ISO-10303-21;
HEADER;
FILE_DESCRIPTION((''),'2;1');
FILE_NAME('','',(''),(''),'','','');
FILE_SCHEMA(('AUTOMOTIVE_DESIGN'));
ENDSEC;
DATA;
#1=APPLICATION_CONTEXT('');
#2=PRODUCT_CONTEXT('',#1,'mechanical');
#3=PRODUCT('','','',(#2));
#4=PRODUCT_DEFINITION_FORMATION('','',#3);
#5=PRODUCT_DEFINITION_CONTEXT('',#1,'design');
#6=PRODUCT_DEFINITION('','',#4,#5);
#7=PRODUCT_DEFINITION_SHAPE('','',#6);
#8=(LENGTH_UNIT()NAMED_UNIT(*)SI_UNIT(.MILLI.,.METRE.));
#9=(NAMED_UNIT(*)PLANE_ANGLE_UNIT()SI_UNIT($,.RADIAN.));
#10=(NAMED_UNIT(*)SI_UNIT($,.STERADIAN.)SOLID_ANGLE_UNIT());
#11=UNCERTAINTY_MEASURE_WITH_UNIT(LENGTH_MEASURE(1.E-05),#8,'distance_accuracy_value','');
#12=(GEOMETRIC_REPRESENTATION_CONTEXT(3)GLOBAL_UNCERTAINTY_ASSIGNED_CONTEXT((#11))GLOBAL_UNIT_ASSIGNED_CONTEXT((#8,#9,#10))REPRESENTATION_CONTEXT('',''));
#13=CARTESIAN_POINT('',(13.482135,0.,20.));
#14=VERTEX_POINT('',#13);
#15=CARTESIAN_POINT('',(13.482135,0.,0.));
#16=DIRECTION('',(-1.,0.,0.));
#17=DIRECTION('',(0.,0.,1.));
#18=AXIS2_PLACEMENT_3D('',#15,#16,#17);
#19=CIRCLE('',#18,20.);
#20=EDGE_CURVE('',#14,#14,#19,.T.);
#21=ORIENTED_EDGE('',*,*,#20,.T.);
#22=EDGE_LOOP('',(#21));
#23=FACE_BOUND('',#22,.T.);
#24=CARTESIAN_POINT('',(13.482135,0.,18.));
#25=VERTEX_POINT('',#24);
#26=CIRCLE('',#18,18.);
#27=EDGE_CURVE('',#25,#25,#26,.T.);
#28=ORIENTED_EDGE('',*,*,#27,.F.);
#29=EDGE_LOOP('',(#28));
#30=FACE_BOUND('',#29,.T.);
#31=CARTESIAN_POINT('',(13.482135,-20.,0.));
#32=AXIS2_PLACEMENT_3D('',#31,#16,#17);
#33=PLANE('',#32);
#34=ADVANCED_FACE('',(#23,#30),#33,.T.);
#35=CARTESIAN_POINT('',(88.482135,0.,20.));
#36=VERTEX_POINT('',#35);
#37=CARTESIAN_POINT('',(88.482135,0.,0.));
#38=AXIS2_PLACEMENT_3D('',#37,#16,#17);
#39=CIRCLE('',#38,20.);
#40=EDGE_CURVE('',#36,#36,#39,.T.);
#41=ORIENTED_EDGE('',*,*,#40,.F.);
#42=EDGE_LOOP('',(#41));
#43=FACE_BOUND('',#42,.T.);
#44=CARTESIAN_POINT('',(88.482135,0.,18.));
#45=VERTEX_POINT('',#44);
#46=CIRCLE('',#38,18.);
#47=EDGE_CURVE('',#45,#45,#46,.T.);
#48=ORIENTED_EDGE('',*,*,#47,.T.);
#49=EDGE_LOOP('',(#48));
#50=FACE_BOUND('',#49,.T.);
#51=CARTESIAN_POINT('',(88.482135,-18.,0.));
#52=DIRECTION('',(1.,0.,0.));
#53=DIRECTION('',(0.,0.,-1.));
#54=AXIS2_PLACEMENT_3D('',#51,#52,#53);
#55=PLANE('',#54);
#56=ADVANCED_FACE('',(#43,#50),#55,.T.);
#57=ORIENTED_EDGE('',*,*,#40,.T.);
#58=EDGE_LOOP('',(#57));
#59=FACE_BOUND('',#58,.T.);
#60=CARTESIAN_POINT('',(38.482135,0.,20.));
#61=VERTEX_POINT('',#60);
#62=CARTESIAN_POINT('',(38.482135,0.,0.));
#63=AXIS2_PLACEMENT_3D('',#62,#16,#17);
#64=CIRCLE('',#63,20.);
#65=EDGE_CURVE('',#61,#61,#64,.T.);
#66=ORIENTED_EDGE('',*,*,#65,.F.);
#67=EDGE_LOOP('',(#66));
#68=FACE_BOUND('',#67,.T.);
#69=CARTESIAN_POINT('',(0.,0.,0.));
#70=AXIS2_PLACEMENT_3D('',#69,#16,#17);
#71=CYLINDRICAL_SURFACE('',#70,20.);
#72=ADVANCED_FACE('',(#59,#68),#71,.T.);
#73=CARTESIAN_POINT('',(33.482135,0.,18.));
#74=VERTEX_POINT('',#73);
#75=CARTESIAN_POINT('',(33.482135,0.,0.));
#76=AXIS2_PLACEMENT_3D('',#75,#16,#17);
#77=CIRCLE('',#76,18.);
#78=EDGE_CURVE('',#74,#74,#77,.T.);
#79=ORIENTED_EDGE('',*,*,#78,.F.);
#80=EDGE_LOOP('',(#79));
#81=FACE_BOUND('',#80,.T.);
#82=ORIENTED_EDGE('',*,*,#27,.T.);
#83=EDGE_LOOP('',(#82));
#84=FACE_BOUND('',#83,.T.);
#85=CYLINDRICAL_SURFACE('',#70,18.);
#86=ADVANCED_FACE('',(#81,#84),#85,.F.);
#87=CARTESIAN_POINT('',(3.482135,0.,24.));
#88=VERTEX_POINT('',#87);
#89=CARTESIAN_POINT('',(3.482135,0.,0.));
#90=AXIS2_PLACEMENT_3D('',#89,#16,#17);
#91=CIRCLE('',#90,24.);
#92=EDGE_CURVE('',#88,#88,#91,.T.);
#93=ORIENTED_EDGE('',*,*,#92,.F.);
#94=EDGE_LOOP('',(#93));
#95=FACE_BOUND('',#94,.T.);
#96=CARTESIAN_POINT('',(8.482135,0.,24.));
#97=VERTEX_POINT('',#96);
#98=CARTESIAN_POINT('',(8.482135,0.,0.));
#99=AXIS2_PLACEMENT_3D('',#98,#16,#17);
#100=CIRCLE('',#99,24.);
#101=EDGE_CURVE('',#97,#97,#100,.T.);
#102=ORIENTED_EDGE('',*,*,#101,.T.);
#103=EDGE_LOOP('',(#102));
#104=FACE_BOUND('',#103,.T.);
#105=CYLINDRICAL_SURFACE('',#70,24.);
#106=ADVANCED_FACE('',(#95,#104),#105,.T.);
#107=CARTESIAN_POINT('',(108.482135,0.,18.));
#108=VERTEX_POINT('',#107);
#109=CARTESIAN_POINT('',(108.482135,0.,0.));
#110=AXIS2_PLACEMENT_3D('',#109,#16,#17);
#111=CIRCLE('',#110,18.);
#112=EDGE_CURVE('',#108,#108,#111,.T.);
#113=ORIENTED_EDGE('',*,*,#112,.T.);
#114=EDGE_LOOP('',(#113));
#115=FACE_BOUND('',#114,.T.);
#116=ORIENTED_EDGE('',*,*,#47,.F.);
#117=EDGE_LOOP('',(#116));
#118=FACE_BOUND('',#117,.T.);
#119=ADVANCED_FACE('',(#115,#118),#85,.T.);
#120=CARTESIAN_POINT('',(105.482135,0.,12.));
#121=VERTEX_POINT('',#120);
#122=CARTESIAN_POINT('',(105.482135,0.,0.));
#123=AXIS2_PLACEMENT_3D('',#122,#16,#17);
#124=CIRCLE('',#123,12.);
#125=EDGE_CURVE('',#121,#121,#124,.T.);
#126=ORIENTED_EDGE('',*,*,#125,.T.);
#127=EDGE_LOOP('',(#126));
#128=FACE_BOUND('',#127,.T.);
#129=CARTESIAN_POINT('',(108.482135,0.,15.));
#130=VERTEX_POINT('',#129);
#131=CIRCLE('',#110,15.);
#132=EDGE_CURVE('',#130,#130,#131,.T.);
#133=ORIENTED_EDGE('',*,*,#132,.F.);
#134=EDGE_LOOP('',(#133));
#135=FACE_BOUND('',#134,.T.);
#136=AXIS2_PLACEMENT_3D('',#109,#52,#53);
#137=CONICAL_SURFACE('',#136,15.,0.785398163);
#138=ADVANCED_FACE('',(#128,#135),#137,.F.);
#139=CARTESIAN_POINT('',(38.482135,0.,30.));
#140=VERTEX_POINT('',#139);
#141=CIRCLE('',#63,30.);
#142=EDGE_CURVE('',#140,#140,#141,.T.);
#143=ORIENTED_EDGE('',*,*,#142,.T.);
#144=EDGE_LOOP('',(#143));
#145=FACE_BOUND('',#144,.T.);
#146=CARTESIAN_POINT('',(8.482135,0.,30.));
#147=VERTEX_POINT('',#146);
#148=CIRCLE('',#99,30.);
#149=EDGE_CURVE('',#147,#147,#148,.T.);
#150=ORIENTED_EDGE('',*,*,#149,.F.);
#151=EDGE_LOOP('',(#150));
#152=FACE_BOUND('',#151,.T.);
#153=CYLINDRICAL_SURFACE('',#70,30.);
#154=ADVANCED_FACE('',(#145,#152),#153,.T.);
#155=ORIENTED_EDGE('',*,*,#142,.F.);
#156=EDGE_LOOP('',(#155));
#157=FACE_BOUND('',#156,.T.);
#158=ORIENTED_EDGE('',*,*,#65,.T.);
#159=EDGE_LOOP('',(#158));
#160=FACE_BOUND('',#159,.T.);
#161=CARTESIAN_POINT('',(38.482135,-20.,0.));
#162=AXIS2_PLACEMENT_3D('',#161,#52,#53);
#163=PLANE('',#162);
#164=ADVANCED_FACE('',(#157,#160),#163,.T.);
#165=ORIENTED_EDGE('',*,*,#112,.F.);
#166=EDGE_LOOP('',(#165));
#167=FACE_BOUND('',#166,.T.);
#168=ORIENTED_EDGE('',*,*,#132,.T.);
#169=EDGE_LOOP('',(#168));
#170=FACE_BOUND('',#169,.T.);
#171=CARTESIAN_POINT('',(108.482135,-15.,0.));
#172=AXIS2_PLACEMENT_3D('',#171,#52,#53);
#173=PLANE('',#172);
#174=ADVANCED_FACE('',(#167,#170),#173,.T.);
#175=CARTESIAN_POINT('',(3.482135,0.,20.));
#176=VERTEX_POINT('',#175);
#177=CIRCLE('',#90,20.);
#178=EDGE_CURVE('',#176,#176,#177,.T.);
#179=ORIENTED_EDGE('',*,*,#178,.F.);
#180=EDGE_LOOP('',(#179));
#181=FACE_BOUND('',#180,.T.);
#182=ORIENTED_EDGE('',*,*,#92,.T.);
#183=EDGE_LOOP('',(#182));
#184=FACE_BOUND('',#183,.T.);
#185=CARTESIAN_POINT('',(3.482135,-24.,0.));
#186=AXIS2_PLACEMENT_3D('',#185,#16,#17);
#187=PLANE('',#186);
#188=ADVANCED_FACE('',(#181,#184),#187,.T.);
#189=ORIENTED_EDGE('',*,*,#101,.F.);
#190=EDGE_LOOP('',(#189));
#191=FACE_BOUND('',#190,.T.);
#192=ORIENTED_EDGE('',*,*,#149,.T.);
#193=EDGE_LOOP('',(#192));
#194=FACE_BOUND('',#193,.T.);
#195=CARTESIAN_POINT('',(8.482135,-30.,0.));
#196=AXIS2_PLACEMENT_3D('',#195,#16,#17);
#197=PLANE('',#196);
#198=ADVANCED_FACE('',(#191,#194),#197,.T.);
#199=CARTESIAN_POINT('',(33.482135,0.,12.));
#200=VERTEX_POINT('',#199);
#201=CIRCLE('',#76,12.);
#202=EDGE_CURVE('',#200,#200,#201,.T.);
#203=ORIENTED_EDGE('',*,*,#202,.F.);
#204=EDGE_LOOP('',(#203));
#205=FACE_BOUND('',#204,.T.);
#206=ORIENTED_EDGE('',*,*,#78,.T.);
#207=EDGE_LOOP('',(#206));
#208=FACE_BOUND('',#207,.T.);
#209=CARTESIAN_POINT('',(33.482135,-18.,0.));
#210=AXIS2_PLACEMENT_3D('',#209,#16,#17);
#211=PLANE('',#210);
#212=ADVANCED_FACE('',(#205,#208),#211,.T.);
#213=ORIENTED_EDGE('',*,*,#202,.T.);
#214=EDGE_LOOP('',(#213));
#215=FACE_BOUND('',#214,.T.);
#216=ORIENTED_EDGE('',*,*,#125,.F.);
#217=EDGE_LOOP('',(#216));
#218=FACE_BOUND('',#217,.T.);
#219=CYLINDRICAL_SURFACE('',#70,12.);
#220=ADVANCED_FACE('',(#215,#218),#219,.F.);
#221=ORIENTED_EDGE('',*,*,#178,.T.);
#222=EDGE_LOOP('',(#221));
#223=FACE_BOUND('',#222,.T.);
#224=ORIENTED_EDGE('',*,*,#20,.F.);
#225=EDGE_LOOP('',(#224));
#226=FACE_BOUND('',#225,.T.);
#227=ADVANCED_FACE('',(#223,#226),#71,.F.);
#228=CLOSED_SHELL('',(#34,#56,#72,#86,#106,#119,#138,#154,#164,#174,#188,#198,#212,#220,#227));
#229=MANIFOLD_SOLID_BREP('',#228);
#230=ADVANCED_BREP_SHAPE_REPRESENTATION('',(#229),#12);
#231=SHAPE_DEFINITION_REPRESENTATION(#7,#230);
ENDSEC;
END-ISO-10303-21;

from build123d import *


with BuildPart() as part:
    # Skizze1 → Rotation1 (revolve)
    with BuildSketch(Plane.XY, mode=Mode.PRIVATE) as rotation1_sk:
        Polygon((3.482134942, -20), (13.482134942, -20), (13.482134942, -18), (33.482134942, -18), (33.482134942, -12), (105.482134942, -12), (108.482134942, -15), (108.482134942, -18), (88.482134942, -18), (88.482134942, -20), (38.482134942, -20), (38.482134942, -30), (8.482134942, -30), (8.482134942, -24), (3.482134942, -24), align=None)
    revolve(rotation1_sk.sketch.rotate(Axis((0, 0, 0), (1, 0, 0)), 270), axis=Axis((0, 0, 0), (1, 0, 0)))


solid = part.part
